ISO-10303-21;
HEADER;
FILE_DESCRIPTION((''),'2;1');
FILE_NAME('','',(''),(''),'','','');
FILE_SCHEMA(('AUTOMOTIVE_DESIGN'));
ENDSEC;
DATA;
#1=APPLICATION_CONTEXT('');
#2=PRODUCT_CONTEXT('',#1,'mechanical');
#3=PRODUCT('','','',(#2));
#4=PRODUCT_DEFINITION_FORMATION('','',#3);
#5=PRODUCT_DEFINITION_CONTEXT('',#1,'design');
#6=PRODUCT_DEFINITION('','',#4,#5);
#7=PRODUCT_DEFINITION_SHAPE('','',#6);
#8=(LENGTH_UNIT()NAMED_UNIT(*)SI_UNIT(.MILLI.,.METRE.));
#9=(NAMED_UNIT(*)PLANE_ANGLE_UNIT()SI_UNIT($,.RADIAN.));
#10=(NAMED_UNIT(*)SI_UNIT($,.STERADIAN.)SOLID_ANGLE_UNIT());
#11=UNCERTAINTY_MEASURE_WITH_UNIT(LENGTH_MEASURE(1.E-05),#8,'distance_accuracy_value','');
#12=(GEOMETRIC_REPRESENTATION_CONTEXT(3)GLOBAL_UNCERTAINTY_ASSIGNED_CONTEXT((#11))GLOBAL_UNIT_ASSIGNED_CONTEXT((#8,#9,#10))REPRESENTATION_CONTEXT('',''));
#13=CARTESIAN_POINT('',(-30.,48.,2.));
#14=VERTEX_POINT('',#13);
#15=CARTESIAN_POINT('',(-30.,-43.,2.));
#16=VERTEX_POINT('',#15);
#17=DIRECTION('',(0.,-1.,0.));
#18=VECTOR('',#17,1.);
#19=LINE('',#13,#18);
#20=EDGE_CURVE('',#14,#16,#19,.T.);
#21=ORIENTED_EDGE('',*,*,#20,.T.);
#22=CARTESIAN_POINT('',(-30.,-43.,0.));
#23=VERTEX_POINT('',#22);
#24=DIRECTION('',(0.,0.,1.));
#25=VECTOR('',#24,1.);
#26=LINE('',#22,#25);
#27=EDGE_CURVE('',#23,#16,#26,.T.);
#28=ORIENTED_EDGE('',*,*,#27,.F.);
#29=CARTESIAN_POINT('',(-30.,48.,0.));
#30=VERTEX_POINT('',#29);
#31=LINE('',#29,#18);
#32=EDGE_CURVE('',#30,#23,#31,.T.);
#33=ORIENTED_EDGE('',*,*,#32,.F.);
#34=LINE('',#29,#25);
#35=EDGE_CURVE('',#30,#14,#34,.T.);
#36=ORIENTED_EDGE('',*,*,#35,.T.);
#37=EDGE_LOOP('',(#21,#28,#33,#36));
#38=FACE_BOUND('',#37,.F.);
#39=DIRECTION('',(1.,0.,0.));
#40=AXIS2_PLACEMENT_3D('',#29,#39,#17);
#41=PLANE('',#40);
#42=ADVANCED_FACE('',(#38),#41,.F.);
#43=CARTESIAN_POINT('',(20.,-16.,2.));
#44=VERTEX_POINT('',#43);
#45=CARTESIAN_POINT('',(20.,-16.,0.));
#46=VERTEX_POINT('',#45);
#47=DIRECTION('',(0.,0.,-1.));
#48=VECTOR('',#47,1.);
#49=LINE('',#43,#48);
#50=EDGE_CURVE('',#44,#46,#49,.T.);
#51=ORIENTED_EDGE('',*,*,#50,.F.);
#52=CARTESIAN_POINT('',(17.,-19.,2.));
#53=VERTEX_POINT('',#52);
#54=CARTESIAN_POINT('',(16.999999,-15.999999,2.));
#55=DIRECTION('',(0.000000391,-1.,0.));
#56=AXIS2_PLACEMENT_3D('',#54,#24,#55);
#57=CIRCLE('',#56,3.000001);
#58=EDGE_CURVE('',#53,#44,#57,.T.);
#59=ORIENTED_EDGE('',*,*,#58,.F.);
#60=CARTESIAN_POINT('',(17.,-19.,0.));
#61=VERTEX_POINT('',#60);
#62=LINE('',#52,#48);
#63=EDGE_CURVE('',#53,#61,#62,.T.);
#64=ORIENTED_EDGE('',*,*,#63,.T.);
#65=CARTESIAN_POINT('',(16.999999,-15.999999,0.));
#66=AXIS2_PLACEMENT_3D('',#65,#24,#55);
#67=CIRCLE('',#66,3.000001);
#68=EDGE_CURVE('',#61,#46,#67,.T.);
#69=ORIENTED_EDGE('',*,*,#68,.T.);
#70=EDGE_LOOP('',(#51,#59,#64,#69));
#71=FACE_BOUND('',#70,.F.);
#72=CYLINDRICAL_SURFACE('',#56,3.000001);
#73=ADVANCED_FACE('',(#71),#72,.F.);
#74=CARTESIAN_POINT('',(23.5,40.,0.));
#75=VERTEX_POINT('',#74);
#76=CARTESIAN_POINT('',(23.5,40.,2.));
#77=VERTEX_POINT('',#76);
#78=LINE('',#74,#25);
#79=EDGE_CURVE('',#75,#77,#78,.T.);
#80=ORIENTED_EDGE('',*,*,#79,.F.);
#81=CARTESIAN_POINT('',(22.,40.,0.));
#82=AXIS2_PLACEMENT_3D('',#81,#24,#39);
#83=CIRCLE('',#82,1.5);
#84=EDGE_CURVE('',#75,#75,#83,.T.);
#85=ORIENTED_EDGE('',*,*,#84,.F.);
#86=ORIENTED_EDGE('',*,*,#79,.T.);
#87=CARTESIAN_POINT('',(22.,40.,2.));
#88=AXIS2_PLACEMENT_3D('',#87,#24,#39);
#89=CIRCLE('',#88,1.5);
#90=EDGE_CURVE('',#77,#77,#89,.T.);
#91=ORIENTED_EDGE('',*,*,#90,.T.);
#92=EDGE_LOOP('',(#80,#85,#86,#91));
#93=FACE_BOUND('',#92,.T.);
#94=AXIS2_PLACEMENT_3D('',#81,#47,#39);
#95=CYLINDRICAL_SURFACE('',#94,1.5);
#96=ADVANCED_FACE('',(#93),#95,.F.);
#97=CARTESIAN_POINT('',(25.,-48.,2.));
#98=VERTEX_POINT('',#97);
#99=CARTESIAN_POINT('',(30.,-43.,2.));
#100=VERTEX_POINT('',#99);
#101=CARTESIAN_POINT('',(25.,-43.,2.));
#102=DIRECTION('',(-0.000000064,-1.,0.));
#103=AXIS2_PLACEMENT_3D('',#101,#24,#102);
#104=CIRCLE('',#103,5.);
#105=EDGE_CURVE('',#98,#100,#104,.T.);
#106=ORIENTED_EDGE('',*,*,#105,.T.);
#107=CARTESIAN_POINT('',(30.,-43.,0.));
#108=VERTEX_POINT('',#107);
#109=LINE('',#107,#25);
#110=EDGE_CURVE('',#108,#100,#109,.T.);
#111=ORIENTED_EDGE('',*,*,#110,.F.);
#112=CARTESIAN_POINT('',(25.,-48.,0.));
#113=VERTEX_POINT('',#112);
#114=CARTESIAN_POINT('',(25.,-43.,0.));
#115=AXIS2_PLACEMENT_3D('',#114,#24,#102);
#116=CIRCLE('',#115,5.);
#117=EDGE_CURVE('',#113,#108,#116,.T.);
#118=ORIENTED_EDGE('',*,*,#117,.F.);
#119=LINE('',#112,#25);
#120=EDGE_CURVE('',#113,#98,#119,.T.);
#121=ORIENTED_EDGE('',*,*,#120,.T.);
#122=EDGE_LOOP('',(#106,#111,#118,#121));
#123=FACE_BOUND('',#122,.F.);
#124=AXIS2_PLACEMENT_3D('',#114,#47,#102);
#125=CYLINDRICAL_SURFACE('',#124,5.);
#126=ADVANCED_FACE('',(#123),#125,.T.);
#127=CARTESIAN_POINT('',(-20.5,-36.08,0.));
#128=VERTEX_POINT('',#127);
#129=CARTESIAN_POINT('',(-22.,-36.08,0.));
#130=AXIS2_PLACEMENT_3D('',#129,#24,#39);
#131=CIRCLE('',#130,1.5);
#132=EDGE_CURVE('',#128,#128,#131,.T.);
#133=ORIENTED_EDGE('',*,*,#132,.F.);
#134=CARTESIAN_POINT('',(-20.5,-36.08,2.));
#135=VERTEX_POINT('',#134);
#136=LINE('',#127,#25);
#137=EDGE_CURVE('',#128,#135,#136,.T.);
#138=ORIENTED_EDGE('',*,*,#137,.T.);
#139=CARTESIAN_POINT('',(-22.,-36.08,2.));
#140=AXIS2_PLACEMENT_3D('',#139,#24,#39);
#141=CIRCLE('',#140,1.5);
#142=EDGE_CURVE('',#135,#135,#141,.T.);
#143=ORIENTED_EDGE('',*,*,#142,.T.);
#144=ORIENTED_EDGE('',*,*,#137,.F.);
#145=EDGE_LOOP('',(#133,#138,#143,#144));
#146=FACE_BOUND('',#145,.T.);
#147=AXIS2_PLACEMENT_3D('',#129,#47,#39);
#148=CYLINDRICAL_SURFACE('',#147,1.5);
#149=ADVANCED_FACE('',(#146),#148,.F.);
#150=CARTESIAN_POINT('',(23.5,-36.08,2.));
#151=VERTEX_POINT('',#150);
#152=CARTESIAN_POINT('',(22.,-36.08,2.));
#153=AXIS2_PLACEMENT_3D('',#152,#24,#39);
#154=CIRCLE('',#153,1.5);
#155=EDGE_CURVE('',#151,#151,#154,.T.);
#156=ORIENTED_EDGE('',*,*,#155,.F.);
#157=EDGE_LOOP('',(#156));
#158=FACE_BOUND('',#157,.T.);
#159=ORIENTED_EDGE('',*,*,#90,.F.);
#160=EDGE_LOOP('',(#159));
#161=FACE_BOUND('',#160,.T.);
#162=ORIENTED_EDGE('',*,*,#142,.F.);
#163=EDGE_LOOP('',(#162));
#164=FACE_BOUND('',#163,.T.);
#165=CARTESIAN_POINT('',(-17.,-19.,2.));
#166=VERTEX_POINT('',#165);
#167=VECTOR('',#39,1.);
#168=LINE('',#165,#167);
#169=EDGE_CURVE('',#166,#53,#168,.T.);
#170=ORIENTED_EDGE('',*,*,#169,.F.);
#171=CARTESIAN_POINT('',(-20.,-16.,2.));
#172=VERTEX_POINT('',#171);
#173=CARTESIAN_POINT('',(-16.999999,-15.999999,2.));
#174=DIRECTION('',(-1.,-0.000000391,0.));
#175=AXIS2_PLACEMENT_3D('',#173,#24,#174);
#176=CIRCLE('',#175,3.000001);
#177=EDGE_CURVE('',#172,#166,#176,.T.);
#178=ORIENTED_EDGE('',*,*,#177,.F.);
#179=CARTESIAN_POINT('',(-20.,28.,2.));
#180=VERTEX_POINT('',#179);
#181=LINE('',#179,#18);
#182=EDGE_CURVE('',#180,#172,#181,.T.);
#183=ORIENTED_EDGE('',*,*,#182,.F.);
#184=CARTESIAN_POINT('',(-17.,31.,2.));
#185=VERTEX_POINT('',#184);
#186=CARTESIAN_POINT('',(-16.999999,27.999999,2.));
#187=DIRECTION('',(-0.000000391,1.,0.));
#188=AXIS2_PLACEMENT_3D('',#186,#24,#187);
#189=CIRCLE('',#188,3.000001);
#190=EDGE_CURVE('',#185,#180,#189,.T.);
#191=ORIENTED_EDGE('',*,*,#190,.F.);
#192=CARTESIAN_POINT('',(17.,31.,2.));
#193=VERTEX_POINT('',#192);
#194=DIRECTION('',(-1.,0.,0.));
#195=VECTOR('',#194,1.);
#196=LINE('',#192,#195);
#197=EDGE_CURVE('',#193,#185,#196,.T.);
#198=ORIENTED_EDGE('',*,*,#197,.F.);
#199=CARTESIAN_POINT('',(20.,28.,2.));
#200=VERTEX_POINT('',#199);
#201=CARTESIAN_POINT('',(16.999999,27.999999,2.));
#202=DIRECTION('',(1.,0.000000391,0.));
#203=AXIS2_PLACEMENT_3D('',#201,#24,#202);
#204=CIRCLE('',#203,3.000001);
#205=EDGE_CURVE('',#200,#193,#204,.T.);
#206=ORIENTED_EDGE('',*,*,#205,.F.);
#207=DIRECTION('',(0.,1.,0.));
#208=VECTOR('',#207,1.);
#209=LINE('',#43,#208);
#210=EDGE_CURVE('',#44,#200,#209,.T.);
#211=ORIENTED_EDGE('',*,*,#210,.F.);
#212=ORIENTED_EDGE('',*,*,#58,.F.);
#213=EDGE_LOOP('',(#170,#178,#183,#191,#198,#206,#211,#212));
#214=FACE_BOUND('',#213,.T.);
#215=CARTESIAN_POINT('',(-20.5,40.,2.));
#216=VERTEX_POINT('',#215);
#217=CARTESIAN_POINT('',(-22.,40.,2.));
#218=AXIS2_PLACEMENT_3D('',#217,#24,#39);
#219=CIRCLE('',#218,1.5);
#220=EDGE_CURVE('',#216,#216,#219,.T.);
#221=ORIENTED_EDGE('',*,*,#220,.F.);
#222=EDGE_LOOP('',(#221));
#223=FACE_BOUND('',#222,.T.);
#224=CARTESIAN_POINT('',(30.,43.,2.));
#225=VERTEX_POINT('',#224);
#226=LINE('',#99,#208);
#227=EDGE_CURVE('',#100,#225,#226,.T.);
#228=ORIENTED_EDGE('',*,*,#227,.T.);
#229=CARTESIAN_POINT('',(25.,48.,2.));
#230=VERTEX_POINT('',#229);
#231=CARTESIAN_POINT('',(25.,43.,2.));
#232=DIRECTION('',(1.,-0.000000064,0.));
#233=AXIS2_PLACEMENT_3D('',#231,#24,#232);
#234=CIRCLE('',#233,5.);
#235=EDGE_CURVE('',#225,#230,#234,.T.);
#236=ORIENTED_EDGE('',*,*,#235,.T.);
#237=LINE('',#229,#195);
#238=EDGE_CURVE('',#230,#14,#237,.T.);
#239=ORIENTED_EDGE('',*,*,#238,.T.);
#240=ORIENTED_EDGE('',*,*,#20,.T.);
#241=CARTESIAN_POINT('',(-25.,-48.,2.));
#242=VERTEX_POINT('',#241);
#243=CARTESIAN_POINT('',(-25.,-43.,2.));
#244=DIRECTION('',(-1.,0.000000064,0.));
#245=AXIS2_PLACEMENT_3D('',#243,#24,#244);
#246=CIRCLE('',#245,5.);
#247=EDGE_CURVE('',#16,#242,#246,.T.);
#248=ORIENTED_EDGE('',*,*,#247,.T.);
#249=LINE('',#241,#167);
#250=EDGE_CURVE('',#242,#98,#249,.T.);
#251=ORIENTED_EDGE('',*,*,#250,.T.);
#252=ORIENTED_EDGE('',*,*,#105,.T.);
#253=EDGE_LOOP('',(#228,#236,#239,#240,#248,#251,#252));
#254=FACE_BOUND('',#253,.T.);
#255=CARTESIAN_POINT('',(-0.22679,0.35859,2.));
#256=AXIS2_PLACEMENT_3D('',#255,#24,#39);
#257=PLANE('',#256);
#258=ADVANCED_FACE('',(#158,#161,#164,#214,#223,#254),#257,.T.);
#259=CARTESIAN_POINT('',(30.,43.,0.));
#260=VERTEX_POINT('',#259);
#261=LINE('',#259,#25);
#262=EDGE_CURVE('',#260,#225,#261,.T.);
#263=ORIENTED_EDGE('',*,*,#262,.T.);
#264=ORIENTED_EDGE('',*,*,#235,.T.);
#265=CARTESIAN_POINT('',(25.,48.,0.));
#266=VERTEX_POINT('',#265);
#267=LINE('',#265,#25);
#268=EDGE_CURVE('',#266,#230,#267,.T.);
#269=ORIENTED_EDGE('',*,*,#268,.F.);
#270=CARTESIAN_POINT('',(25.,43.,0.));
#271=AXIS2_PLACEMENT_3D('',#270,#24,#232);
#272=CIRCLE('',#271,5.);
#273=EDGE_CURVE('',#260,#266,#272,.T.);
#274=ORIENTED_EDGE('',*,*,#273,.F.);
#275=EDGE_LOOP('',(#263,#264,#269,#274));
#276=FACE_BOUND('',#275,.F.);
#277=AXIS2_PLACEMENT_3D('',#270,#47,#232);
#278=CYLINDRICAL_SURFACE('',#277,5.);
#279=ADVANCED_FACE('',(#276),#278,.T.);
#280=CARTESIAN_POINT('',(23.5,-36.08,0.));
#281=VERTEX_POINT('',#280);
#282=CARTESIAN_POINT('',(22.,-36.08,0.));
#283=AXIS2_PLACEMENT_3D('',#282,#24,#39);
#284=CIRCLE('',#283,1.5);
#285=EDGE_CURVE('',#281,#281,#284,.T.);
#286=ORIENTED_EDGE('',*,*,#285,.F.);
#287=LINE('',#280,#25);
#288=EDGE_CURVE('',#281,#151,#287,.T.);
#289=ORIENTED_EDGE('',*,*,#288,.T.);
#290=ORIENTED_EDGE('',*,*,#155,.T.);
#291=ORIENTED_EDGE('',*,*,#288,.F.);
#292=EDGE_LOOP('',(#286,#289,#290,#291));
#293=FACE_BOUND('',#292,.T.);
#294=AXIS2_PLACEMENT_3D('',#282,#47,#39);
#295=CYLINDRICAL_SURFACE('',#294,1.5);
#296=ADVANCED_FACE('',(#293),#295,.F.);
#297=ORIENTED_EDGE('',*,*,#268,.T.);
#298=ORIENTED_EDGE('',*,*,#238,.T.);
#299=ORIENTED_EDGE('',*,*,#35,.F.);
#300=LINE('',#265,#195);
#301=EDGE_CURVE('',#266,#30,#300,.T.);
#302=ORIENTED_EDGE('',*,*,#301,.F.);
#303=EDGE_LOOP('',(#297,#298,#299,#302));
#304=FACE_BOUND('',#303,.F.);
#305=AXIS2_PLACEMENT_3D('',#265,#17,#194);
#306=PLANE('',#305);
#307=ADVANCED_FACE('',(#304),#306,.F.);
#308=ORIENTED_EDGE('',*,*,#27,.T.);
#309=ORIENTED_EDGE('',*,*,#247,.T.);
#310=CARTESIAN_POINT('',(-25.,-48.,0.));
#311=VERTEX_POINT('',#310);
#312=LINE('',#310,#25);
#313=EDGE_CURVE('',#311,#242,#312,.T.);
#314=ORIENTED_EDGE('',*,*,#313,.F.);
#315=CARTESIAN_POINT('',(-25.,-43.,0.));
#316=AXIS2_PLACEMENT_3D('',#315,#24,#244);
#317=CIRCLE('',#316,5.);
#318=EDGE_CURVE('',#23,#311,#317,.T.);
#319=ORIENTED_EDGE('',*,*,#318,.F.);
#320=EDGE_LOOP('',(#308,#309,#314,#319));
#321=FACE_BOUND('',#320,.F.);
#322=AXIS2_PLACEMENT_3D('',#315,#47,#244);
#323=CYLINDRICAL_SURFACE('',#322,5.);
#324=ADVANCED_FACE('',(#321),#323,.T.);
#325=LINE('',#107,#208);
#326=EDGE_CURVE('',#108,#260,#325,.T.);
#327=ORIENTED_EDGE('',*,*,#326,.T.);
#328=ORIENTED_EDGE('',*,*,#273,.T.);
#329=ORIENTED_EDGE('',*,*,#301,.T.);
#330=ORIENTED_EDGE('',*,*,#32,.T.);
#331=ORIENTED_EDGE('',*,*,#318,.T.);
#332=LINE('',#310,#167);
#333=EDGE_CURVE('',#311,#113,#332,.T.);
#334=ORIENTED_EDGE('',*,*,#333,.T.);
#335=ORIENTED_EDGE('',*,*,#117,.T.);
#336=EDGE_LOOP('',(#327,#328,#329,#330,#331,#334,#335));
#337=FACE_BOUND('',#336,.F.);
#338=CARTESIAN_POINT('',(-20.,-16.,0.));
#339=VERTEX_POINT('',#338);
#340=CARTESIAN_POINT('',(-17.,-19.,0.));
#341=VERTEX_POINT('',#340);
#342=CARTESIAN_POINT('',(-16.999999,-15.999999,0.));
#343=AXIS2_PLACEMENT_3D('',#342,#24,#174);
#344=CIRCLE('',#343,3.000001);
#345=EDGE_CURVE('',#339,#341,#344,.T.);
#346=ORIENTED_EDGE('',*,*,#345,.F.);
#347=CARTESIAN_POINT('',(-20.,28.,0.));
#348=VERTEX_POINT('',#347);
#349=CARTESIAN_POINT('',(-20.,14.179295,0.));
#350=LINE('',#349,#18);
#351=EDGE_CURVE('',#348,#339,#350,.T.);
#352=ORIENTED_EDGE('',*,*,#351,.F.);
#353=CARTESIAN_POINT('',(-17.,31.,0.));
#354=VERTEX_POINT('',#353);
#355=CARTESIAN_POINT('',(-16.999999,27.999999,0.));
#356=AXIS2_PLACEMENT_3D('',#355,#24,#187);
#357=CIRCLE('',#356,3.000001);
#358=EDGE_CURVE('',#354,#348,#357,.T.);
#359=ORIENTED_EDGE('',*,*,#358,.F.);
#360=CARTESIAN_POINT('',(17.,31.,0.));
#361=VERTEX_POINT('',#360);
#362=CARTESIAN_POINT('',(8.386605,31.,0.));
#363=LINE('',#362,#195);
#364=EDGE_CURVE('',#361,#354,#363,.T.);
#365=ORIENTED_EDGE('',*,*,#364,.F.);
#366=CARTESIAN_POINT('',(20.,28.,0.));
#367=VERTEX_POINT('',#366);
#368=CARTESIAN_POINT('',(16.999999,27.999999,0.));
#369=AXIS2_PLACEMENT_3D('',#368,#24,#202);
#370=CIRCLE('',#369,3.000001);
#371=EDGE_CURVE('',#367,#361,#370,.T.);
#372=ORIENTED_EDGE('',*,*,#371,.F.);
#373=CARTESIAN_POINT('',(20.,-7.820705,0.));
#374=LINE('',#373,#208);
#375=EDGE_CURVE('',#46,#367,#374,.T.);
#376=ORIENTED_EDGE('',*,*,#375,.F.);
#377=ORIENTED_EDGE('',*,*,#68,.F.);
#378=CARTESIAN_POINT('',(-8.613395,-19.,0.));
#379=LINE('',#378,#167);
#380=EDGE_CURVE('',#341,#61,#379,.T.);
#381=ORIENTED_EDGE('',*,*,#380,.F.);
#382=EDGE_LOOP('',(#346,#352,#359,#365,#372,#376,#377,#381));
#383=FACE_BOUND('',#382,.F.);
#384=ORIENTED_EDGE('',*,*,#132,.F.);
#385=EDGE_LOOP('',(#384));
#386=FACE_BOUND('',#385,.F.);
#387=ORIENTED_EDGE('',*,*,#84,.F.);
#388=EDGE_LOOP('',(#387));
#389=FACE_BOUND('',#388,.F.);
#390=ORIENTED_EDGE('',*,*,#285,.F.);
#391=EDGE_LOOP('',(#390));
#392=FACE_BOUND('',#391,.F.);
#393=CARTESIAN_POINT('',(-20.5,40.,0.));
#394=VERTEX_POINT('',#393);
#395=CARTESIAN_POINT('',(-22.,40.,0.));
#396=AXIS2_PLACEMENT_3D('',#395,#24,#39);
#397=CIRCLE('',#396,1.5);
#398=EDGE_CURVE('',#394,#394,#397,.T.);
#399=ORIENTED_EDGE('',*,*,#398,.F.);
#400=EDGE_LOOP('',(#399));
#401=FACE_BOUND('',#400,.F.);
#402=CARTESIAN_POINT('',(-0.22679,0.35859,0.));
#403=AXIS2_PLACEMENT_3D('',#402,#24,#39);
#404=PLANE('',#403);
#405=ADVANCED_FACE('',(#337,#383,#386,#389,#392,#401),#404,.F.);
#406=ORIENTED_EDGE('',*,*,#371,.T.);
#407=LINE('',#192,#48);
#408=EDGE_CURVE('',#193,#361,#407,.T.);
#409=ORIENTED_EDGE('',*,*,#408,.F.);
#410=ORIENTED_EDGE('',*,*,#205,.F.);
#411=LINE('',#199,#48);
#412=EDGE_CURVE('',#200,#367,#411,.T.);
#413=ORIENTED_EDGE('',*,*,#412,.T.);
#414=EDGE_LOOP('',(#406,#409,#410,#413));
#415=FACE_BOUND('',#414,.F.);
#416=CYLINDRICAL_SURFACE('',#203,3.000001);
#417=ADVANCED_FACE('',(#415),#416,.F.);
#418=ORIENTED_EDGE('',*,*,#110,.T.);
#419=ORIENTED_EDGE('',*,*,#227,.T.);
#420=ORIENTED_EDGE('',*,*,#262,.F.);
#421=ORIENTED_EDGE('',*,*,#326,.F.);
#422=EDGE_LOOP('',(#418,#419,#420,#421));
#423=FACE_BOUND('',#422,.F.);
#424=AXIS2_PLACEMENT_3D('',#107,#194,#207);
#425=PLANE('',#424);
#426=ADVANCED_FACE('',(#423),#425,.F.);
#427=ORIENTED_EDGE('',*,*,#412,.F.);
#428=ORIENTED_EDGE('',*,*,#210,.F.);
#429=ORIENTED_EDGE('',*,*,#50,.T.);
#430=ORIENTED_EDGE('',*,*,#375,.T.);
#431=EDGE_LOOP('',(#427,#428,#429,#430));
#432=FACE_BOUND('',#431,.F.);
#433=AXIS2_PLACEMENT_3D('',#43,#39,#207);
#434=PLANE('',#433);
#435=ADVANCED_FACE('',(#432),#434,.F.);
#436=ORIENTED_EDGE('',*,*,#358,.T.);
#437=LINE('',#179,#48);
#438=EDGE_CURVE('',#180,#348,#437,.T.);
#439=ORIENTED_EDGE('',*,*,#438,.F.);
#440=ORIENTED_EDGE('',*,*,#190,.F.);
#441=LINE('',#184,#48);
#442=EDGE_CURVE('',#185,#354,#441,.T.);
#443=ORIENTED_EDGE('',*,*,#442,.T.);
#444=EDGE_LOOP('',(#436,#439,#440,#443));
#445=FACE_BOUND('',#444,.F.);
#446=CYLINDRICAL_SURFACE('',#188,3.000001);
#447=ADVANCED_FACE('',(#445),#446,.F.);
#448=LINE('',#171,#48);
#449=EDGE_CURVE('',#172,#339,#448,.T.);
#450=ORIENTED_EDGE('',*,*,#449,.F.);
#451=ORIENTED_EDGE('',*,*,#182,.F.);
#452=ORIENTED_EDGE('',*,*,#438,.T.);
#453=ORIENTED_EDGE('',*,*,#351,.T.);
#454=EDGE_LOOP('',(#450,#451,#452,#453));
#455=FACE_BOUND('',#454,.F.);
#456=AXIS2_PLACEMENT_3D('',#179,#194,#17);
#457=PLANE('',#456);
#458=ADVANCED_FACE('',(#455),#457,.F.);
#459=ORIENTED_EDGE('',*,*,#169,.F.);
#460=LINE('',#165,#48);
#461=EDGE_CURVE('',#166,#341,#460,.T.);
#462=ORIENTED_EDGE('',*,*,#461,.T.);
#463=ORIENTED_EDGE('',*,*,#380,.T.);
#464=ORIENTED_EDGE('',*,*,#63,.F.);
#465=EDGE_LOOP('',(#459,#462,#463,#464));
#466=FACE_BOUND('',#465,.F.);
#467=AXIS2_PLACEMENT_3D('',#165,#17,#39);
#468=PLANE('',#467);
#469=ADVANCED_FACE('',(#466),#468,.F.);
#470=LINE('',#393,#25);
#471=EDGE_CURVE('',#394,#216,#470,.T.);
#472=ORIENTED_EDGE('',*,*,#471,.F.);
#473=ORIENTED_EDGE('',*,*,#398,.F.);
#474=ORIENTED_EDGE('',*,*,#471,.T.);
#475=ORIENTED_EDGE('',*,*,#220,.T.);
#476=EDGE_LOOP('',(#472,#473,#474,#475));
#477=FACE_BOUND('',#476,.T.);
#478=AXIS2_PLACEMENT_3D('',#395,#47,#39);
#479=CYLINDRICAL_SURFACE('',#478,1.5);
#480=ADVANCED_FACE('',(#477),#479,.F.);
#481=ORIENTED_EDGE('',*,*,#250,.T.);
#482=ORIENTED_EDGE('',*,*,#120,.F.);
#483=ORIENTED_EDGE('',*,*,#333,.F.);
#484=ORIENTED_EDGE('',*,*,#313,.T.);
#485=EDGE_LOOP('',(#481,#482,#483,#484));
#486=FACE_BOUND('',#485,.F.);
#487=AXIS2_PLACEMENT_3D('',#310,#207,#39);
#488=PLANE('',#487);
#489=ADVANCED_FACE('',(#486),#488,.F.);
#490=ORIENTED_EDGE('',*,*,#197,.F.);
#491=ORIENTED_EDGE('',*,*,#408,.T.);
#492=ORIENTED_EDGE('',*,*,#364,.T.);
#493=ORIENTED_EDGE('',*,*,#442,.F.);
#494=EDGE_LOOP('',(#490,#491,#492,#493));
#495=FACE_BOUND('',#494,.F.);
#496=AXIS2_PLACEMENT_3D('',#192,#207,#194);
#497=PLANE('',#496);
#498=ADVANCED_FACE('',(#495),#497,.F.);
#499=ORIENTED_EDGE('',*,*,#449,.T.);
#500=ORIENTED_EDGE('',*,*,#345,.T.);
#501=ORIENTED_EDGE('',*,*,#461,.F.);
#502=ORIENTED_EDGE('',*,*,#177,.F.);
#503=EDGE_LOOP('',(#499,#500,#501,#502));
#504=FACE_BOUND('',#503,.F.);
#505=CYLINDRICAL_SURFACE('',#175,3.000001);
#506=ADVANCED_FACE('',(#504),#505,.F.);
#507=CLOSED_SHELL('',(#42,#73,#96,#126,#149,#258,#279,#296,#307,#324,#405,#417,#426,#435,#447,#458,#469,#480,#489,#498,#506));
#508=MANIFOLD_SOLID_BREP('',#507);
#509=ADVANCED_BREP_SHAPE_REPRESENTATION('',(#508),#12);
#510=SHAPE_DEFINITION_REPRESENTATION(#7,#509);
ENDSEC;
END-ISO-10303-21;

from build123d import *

# Parameters (mm, degrees)
F0_R     = 1.5
F1_DEPTH = 2
F3_DEPTH = 2.001


with BuildPart() as f1:
    # F0 (on Top) → F1 (new body)
    with BuildSketch(Plane.XY):
        with BuildLine():
            Line((-25, -48), (25, -48))
            ThreePointArc((25, -48), (28.535534, -46.535534), (30, -43))
            Line((30, -43), (30, 43))
            ThreePointArc((30, 43), (28.535534, 46.535534), (25, 48))
            Line((25, 48), (-30, 48))
            Line((-30, 48), (-30, 43))
            Line((-30, 43), (-30, -43))
            ThreePointArc((-30, -43), (-28.535534, -46.535534), (-25, -48))
        make_face()
        with Locations((-22, -36.08)):
            Circle(F0_R, mode=Mode.SUBTRACT)
        with Locations((22, -36.08)):
            Circle(F0_R, mode=Mode.SUBTRACT)
        with Locations((-22, 40)):
            Circle(F0_R, mode=Mode.SUBTRACT)
        with Locations((22, 40)):
            Circle(F0_R, mode=Mode.SUBTRACT)
    extrude(amount=F1_DEPTH)

    # F2 (on face) → F3 (cut, through all)
    with BuildSketch(Plane.XY.offset(2)):
        with BuildLine():
            ThreePointArc((20, 28), (19.12132, 30.12132), (17, 31))
            Line((17, 31), (-17, 31))
            ThreePointArc((-17, 31), (-19.12132, 30.12132), (-20, 28))
            Line((-20, 28), (-20, -16))
            ThreePointArc((-20, -16), (-19.12132, -18.12132), (-17, -19))
            Line((-17, -19), (17, -19))
            ThreePointArc((17, -19), (19.12132, -18.12132), (20, -16))
            Line((20, -16), (20, 28))
        make_face()
    extrude(amount=-F3_DEPTH, mode=Mode.SUBTRACT)


solid = f1.part
